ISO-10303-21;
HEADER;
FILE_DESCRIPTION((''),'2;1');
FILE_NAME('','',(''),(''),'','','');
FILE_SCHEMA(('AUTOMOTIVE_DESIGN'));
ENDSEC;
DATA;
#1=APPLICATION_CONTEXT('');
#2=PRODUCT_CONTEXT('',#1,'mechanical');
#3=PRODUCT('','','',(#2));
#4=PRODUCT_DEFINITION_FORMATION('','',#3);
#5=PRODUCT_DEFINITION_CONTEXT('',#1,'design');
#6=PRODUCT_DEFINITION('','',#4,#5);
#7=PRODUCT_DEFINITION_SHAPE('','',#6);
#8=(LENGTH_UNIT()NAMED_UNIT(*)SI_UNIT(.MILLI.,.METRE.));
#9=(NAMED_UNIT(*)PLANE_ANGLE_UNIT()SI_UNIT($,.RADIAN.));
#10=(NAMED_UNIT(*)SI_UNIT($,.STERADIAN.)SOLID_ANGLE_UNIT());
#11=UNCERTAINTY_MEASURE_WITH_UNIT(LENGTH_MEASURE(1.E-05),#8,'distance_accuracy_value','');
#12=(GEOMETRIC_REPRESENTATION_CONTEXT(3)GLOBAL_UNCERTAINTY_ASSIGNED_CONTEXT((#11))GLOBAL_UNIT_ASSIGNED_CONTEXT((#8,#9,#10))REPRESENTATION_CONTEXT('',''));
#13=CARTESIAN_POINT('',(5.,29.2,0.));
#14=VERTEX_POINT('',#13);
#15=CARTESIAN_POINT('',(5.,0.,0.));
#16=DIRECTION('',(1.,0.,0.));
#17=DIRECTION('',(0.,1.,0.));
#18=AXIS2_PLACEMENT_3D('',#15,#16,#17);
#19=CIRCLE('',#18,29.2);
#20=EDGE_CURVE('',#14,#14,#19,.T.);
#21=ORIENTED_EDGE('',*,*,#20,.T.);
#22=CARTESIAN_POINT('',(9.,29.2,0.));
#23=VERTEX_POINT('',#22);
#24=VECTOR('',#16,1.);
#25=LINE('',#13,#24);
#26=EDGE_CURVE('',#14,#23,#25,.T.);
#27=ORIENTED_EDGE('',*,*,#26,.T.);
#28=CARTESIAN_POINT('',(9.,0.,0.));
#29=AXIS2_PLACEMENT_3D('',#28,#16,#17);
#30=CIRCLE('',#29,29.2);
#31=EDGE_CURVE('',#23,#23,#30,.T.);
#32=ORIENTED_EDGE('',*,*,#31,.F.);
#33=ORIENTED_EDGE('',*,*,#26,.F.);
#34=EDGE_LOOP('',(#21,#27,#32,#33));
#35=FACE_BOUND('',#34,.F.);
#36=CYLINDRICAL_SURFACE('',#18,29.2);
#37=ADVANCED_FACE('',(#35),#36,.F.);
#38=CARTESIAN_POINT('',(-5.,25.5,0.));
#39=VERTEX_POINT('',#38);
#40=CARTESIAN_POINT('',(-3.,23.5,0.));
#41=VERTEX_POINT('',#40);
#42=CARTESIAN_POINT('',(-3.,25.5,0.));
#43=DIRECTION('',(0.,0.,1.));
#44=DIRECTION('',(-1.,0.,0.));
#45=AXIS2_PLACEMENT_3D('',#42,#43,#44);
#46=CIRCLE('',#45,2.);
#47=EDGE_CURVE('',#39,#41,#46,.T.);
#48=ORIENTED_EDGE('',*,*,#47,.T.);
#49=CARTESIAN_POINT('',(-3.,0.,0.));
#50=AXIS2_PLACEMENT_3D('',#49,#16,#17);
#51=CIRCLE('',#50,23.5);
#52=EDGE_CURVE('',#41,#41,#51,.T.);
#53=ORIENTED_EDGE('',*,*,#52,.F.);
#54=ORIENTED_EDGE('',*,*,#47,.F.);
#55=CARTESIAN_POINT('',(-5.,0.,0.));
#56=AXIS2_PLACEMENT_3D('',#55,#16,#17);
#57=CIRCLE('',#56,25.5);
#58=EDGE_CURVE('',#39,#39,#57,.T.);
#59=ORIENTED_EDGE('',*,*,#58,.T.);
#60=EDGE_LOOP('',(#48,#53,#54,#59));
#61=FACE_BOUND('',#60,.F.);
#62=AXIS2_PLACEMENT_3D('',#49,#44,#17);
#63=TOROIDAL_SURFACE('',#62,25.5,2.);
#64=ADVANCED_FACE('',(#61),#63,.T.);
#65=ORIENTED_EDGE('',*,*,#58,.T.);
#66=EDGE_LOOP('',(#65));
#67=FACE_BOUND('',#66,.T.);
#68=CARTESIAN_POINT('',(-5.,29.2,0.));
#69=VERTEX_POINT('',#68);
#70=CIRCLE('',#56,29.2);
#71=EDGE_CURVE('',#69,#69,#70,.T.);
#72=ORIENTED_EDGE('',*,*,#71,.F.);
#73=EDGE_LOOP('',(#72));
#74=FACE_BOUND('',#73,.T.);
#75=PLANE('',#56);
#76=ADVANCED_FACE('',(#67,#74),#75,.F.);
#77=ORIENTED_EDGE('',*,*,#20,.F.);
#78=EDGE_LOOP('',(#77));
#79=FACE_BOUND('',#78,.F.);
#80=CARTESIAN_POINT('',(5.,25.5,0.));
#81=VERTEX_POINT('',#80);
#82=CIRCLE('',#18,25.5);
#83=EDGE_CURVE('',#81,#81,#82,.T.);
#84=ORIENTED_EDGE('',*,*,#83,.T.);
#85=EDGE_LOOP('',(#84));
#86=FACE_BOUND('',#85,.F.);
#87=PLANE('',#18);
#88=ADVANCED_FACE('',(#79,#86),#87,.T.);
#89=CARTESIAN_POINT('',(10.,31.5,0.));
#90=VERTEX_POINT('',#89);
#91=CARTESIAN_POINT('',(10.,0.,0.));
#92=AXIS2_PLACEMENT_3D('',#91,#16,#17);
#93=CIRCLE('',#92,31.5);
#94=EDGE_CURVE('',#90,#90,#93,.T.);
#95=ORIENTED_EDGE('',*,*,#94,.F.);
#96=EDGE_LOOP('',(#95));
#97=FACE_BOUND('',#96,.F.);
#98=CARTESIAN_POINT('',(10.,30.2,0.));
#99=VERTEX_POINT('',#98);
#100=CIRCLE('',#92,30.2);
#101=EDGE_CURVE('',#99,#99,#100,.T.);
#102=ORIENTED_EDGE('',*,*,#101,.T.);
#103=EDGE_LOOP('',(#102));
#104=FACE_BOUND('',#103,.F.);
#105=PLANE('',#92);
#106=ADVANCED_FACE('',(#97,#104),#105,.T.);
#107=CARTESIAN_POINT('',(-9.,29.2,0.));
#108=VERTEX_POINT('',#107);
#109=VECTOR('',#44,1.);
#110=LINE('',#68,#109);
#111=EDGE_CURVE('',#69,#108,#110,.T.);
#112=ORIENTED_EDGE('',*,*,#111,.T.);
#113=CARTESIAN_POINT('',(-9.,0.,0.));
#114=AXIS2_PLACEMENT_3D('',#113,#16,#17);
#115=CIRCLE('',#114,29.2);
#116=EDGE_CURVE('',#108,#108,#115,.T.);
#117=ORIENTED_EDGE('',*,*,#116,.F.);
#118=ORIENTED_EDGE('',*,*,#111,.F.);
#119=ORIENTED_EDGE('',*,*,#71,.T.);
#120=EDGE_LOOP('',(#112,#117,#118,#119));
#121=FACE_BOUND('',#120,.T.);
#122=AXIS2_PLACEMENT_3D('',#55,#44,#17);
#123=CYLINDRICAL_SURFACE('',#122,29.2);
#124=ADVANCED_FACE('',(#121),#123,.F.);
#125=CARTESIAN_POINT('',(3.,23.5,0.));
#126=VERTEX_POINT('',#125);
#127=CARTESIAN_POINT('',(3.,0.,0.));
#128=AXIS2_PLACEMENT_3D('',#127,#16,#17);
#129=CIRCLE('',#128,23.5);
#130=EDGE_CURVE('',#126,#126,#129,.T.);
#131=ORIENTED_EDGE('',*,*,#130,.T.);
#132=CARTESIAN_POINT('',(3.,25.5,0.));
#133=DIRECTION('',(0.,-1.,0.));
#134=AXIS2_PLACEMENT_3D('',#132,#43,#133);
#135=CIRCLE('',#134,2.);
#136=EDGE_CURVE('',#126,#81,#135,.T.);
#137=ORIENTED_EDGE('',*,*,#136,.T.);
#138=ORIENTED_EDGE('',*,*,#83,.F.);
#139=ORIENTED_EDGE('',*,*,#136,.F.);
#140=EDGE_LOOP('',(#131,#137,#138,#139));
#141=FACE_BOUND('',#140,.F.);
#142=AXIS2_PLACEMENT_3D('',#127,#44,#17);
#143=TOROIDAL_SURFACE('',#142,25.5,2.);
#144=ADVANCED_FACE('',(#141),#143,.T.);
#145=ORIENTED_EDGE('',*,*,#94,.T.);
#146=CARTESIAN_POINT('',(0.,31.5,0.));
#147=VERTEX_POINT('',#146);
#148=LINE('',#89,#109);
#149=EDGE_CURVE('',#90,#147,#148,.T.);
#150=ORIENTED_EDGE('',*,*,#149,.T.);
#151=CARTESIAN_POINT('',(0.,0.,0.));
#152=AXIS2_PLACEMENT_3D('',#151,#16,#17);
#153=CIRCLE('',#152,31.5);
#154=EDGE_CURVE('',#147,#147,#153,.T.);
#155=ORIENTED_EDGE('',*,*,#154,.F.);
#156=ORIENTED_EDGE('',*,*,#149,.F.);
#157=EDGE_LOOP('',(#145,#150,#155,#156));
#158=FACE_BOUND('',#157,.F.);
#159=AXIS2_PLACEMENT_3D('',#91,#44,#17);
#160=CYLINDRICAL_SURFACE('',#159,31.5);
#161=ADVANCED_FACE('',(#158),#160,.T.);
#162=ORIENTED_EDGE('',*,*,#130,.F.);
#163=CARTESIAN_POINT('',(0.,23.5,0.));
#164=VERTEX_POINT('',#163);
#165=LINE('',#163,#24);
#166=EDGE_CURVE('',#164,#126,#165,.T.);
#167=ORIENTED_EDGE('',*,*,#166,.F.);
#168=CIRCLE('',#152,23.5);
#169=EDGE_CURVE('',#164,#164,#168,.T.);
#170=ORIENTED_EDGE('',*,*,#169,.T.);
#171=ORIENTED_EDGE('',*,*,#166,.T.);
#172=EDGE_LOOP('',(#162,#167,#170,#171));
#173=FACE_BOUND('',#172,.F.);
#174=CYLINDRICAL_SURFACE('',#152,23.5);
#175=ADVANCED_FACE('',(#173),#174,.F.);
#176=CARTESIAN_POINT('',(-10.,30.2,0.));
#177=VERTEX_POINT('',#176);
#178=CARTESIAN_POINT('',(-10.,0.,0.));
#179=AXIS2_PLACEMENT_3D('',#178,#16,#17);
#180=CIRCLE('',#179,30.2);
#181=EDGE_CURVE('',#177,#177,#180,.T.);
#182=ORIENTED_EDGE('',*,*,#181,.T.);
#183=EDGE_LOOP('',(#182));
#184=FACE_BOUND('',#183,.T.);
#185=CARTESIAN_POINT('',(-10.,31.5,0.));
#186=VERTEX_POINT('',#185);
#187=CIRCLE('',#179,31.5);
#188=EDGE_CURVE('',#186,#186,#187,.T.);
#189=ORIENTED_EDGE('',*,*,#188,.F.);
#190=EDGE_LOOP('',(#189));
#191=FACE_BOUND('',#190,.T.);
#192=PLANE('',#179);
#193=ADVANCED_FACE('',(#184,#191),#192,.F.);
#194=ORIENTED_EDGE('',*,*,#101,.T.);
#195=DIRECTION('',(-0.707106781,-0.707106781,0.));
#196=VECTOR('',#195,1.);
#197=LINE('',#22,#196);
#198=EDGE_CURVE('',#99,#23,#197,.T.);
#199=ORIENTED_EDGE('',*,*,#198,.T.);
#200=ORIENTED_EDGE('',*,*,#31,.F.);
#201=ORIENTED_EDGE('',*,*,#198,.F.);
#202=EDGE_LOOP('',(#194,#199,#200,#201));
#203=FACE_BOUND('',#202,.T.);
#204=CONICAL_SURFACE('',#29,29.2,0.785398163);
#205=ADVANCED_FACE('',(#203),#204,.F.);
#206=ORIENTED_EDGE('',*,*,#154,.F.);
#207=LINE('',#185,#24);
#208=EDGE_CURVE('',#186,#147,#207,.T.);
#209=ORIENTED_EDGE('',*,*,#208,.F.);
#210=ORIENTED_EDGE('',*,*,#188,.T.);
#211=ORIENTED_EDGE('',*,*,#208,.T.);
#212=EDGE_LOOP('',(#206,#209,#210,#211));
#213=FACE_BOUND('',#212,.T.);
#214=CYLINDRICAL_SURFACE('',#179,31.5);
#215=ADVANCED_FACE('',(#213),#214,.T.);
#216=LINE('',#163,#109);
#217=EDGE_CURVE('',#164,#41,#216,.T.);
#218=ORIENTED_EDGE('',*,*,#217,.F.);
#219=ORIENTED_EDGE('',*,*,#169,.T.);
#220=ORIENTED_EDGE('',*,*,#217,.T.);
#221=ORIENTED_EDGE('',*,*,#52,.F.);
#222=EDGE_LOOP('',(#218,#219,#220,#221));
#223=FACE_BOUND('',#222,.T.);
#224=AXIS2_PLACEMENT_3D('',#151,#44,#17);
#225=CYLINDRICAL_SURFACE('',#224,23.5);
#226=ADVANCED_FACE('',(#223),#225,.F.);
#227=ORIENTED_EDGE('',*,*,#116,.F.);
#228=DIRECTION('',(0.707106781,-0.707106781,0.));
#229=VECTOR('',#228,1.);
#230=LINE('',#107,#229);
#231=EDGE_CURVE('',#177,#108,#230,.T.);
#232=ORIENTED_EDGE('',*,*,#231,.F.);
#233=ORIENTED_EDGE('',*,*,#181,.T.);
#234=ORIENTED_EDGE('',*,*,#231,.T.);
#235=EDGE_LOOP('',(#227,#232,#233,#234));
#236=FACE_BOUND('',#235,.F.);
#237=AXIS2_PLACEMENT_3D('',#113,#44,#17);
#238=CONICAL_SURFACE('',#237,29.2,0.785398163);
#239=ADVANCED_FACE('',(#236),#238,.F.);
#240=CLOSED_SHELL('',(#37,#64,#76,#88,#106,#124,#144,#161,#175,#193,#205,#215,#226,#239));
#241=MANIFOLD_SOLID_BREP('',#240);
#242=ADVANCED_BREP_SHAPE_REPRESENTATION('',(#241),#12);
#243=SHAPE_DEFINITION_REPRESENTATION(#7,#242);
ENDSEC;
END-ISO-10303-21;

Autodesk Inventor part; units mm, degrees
ref_plane "YZ Plane" through (0, 0, 0) normal (1, 0, 0) x (0, 1, 0)
ref_plane "XZ Plane" through (0, 0, 0) normal (0, 1, 0) x (-1, 0, 0)
ref_plane "XY Plane" through (0, 0, 0) normal (0, 0, 1) x (1, 0, 0)
sketch "Sketch1" plane through (0, 0, 0) normal (0, 0, 1) x (1, 0, 0)
  line L0 (0, 23.5) -> (3, 23.5)
  line L1 (5, 25.5) -> (5, 29.2)
  line L2 (5, 29.2) -> (10, 29.2)
  line L3 (10, 29.2) -> (10, 31.5)
  line L4 (10, 31.5) -> (0, 31.5)
  line L5 (0, 23.5) -> (0, 39.7331)
  arc A0 (3, 23.5) -> (5, 25.5) centre (3, 25.5) ccw
  line L6 (0, 0) -> (48.7382, 0)
  line L7 (0, 23.5) -> (-3, 23.5)
  line L8 (-5, 25.5) -> (-5, 29.2)
  line L9 (-5, 29.2) -> (-10, 29.2)
  line L10 (-10, 29.2) -> (-10, 31.5)
  line L11 (-10, 31.5) -> (0, 31.5)
  arc A1 (-5, 25.5) -> (-3, 23.5) centre (-3, 25.5) ccw
  dimension "d0" = 2
  dimension "d1" = 47
  dimension "d2" = 63
  dimension "d3" = 58.4
  dimension "d4" = 10
  dimension "d7" = 10
revolve "Revolution1" add sketch "Sketch1" angle 360 about axis through (0, 0, 0) along (1, 0, 0)
chamfer "Fase1" distance 1 angle 45 1 edges at (10, -29.2, 0)
chamfer "Fase2" distance 1 angle 45 1 edges at (-10, -29.2, 0)
properties part number "Plunger_Seal" material "Nylon-6/6"
